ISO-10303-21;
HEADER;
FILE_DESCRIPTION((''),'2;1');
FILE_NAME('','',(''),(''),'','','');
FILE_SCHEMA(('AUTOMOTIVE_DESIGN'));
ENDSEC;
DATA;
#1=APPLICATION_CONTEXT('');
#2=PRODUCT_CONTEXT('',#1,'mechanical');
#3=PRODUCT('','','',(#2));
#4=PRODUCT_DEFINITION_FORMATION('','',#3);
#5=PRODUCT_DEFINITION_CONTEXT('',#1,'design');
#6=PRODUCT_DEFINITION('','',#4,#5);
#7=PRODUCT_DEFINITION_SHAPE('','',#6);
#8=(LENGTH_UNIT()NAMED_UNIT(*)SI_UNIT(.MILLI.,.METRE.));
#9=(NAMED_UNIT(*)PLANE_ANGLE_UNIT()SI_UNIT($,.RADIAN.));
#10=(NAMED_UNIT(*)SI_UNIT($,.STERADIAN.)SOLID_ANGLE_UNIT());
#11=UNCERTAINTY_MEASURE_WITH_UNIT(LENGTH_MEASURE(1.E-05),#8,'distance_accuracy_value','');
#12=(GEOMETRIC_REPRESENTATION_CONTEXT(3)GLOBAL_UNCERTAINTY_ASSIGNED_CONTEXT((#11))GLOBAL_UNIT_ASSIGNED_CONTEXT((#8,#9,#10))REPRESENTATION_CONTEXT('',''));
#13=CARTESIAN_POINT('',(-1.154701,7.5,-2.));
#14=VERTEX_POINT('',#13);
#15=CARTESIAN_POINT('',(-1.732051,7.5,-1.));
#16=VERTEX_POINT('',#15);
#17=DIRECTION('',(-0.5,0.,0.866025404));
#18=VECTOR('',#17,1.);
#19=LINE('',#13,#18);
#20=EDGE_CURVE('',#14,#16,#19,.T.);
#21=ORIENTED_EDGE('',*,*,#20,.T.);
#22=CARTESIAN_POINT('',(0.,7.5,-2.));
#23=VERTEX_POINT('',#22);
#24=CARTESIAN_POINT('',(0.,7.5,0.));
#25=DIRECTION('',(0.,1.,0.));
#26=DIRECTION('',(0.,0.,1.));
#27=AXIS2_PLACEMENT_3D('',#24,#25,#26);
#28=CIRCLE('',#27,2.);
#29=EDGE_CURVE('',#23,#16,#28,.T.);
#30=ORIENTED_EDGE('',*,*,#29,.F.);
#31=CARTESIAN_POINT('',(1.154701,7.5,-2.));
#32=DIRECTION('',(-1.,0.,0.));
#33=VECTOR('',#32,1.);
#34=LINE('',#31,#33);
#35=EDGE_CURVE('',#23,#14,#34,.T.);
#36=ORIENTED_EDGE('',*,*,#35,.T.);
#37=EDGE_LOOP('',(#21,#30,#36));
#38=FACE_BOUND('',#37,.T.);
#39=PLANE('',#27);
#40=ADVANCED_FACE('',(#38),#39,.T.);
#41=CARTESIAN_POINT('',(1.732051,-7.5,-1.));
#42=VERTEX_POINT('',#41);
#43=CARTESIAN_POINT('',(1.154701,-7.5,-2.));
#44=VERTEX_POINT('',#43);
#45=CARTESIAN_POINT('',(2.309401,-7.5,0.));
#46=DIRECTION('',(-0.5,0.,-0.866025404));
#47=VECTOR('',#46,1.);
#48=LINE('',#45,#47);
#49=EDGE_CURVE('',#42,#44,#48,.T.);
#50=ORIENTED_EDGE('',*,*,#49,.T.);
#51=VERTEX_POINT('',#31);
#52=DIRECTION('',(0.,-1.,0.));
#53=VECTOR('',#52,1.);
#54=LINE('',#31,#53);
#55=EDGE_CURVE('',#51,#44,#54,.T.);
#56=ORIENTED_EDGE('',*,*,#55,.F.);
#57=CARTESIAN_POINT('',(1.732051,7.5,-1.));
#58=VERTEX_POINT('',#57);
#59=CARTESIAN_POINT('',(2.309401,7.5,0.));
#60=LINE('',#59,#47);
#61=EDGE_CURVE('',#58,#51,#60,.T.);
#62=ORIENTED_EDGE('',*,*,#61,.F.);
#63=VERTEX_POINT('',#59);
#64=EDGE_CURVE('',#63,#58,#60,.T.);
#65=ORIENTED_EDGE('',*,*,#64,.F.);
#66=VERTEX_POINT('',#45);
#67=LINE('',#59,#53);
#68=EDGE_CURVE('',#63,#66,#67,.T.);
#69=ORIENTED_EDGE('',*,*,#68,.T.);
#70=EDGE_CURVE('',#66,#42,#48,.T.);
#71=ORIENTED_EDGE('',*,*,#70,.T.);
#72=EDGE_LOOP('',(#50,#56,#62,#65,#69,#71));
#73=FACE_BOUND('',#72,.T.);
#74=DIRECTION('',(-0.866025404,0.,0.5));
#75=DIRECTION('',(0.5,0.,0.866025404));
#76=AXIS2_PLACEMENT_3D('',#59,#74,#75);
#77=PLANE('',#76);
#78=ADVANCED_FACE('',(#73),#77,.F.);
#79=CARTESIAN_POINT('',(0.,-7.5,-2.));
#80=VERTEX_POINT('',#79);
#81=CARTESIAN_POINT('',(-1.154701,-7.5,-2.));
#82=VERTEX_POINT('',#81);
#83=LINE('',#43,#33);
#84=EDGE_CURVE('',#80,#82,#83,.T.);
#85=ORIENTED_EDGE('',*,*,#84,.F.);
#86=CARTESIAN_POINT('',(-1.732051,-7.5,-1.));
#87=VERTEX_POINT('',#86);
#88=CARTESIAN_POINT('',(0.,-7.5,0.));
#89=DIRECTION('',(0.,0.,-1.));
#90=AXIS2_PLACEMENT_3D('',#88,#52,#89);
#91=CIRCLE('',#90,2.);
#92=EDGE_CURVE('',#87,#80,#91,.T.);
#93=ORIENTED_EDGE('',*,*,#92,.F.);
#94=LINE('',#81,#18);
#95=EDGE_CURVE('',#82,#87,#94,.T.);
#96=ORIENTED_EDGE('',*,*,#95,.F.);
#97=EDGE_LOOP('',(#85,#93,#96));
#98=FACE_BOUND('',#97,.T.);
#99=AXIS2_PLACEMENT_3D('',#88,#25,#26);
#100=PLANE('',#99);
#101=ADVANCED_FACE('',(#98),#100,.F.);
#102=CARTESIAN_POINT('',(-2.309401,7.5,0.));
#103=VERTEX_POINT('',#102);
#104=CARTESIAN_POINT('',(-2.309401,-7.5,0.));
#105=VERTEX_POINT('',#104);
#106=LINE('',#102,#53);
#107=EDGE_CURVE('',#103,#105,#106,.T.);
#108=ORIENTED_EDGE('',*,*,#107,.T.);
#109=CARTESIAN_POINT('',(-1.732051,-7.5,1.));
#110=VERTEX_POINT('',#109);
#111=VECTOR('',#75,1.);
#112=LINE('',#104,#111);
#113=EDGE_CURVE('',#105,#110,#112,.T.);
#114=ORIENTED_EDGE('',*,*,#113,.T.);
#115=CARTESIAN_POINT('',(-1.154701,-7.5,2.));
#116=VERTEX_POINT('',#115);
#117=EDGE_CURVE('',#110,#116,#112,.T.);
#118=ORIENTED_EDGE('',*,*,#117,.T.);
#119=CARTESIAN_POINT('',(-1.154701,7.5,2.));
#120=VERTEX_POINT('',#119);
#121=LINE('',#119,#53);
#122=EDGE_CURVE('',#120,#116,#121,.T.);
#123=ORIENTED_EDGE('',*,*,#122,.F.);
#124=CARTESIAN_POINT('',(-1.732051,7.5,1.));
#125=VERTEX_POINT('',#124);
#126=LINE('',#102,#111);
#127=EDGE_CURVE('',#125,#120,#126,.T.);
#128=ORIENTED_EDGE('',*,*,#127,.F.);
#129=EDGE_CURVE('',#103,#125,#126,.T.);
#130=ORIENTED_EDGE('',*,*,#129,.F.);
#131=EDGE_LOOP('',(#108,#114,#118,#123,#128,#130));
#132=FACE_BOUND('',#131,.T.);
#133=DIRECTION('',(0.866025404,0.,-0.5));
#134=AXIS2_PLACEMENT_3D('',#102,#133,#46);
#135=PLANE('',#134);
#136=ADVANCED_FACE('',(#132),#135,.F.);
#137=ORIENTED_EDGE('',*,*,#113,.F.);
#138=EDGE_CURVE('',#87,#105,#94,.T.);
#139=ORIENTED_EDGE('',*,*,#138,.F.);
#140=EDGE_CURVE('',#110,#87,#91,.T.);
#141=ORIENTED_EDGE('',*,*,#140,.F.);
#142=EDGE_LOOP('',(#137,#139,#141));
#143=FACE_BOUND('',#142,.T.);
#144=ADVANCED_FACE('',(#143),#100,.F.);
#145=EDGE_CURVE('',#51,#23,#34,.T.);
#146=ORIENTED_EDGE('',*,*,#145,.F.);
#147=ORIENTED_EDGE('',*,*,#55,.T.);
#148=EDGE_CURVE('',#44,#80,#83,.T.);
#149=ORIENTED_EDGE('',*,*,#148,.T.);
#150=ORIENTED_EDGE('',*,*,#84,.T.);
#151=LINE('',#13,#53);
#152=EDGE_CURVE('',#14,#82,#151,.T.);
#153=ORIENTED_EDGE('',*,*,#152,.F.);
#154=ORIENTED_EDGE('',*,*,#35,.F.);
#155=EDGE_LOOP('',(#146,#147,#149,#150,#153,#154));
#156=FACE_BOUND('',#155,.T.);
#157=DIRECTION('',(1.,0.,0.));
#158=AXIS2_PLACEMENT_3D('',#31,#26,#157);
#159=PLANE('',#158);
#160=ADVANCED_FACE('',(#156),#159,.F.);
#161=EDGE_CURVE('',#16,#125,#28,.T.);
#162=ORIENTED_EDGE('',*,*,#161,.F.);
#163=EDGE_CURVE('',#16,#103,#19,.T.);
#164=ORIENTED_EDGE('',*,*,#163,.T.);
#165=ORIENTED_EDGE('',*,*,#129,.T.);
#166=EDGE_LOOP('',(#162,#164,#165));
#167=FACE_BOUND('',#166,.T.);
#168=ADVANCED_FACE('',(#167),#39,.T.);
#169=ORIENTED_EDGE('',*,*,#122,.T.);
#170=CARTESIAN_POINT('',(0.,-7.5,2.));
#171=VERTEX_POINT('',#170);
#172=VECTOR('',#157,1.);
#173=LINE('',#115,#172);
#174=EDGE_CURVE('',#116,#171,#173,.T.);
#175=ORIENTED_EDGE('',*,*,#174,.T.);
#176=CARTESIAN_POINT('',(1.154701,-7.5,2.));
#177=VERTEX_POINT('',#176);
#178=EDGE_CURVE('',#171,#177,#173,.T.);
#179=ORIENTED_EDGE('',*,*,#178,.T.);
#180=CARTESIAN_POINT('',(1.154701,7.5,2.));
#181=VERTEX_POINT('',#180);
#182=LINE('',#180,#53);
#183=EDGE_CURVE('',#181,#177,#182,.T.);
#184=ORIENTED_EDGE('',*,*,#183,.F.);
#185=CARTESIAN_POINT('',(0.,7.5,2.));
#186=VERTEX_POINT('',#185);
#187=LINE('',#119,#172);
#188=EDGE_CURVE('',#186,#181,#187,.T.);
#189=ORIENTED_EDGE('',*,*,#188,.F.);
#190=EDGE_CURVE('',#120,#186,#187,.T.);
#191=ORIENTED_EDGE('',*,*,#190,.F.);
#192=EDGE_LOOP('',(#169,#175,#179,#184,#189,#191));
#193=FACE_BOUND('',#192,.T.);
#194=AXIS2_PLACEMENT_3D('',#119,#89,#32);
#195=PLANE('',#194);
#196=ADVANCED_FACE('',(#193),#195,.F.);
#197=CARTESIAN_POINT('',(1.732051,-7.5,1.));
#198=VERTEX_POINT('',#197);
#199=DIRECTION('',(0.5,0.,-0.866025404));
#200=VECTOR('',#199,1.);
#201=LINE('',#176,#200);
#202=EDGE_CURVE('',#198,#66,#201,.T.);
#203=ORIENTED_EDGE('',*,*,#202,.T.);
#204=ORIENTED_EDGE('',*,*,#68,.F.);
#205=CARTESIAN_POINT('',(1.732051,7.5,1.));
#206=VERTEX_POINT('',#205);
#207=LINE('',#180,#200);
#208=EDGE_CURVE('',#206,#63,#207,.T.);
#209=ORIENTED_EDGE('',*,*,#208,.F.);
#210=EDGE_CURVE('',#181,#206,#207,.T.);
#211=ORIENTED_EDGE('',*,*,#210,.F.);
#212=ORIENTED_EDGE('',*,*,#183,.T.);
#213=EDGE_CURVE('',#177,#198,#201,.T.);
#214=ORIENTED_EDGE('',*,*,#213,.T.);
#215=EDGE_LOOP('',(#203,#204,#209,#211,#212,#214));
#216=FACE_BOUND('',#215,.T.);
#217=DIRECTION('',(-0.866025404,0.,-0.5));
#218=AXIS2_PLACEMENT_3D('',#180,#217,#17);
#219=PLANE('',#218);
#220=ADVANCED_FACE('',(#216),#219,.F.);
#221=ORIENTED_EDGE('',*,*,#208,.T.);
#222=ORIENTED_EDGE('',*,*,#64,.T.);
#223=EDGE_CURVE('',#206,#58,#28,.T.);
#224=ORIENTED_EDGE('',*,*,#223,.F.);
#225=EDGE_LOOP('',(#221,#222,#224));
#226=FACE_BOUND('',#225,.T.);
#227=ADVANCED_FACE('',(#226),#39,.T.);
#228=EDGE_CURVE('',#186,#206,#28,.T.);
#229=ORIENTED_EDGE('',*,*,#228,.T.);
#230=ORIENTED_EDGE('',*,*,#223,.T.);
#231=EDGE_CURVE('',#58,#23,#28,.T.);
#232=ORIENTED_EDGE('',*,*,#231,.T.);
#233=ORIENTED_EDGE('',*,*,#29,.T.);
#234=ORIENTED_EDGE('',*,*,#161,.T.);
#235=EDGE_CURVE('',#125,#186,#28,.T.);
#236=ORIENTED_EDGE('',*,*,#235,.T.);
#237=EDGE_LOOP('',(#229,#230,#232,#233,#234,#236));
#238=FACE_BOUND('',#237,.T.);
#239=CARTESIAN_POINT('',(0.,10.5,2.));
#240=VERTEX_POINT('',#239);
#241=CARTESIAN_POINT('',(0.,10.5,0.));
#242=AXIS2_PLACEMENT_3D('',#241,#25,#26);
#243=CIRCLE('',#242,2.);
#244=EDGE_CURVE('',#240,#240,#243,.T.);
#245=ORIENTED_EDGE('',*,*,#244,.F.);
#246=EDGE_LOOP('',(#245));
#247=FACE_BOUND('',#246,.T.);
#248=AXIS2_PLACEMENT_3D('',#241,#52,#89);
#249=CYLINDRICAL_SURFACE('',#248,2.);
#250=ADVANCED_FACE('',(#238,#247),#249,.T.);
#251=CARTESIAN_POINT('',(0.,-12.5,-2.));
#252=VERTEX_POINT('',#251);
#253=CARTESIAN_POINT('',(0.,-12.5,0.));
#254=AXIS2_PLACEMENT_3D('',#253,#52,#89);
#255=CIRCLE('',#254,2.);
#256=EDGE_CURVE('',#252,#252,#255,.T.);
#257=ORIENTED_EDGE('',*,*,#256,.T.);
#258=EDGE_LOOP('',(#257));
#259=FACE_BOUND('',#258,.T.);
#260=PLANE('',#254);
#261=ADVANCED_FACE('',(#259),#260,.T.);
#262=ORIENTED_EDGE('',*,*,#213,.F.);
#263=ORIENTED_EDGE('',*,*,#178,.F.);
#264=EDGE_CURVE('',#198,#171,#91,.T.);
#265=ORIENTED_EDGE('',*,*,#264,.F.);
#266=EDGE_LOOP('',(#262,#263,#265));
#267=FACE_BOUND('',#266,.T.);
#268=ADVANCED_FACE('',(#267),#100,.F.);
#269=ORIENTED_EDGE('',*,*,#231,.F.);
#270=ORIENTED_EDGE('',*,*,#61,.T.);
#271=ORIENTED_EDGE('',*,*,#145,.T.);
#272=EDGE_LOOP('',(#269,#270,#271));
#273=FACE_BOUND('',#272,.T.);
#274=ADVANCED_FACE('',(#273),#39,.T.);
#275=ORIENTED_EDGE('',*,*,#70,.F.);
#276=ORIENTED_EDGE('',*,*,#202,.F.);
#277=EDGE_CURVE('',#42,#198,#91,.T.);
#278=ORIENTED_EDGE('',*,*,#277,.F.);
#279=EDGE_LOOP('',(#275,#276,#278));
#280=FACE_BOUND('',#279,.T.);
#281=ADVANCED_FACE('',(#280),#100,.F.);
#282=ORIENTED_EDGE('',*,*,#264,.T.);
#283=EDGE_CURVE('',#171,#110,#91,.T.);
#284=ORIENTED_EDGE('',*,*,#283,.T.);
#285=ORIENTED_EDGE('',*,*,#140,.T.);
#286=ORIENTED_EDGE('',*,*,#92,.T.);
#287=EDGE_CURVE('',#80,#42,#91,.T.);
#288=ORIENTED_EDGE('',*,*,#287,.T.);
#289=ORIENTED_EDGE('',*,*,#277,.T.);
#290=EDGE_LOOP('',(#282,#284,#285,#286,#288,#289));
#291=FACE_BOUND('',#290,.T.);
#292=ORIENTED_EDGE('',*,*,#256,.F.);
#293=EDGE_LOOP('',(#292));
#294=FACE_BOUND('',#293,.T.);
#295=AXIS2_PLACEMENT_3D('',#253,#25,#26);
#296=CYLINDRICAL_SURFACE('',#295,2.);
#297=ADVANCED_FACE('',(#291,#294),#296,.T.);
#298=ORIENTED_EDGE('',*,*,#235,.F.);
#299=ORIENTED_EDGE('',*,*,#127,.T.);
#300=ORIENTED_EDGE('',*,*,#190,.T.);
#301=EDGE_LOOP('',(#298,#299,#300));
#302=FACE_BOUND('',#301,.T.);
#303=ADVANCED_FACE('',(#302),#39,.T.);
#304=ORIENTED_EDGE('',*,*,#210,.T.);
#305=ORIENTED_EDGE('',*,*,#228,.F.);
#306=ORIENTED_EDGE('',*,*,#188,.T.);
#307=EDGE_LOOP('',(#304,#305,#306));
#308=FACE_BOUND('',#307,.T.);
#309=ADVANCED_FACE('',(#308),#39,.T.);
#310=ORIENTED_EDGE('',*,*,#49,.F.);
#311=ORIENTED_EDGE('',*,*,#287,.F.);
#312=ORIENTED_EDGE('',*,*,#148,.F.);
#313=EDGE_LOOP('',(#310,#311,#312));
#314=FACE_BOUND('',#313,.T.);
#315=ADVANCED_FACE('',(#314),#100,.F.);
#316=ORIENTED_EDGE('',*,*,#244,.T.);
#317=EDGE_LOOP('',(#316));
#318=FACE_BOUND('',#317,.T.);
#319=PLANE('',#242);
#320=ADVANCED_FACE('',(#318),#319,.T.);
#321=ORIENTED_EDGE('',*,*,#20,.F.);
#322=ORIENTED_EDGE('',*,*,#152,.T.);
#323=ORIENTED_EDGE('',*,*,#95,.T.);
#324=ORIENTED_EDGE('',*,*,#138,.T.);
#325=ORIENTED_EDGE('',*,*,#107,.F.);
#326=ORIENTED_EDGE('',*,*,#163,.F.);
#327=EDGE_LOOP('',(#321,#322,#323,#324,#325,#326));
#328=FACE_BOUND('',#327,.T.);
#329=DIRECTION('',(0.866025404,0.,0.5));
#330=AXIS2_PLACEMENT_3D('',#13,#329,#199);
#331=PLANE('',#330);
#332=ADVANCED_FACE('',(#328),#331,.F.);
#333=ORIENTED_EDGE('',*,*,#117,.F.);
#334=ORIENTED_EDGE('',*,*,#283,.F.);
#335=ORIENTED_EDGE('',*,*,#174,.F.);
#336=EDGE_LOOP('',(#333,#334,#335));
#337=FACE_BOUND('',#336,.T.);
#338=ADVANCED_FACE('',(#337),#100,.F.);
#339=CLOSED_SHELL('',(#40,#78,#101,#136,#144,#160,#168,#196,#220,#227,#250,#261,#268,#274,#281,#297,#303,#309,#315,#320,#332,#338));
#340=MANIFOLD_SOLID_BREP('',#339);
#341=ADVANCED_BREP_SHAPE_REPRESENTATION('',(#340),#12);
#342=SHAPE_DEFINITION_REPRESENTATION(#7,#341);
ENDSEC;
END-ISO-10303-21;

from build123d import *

# Parameters (mm, degrees)
BOSS_EXTRUDE1_DEPTH = 7.5
SKETCH2_R           = 2
BOSS_EXTRUDE3_DEPTH = 3
BOSS_EXTRUDE4_START = 5
SKETCH4_R           = 2
BOSS_EXTRUDE4_DEPTH = 5


with BuildPart() as part:
    # Sketch1 → Boss-Extrude1 (new, symmetric)
    with BuildSketch(Plane(origin=(0, 0, 0), x_dir=(1, 0, 0), z_dir=(0, 1, 0))):
        Polygon((-2.309401077, 0), (-1.154700538, -2), (1.154700538, -2), (2.309401077, 0), (1.154700538, 2), (-1.154700538, 2), align=None)
    extrude(amount=BOSS_EXTRUDE1_DEPTH, both=True)

    # Sketch2 → Boss-Extrude3 (add)
    with BuildSketch(Plane(origin=(0, 7.5, 0), x_dir=(1, 0, 0), z_dir=(0, 1, 0))):
        with Locations(Location((0, 0, 0), (0, 0, 270))):
            Circle(SKETCH2_R)
    extrude(amount=BOSS_EXTRUDE3_DEPTH)

    # Sketch4 → Boss-Extrude4 (add)
    with BuildSketch(Plane.XZ.offset(7.5).offset(BOSS_EXTRUDE4_START)):
        with Locations(Location((0, 0, 0), (0, 0, 90))):
            Circle(SKETCH4_R)
    extrude(amount=-BOSS_EXTRUDE4_DEPTH)


solid = part.part
